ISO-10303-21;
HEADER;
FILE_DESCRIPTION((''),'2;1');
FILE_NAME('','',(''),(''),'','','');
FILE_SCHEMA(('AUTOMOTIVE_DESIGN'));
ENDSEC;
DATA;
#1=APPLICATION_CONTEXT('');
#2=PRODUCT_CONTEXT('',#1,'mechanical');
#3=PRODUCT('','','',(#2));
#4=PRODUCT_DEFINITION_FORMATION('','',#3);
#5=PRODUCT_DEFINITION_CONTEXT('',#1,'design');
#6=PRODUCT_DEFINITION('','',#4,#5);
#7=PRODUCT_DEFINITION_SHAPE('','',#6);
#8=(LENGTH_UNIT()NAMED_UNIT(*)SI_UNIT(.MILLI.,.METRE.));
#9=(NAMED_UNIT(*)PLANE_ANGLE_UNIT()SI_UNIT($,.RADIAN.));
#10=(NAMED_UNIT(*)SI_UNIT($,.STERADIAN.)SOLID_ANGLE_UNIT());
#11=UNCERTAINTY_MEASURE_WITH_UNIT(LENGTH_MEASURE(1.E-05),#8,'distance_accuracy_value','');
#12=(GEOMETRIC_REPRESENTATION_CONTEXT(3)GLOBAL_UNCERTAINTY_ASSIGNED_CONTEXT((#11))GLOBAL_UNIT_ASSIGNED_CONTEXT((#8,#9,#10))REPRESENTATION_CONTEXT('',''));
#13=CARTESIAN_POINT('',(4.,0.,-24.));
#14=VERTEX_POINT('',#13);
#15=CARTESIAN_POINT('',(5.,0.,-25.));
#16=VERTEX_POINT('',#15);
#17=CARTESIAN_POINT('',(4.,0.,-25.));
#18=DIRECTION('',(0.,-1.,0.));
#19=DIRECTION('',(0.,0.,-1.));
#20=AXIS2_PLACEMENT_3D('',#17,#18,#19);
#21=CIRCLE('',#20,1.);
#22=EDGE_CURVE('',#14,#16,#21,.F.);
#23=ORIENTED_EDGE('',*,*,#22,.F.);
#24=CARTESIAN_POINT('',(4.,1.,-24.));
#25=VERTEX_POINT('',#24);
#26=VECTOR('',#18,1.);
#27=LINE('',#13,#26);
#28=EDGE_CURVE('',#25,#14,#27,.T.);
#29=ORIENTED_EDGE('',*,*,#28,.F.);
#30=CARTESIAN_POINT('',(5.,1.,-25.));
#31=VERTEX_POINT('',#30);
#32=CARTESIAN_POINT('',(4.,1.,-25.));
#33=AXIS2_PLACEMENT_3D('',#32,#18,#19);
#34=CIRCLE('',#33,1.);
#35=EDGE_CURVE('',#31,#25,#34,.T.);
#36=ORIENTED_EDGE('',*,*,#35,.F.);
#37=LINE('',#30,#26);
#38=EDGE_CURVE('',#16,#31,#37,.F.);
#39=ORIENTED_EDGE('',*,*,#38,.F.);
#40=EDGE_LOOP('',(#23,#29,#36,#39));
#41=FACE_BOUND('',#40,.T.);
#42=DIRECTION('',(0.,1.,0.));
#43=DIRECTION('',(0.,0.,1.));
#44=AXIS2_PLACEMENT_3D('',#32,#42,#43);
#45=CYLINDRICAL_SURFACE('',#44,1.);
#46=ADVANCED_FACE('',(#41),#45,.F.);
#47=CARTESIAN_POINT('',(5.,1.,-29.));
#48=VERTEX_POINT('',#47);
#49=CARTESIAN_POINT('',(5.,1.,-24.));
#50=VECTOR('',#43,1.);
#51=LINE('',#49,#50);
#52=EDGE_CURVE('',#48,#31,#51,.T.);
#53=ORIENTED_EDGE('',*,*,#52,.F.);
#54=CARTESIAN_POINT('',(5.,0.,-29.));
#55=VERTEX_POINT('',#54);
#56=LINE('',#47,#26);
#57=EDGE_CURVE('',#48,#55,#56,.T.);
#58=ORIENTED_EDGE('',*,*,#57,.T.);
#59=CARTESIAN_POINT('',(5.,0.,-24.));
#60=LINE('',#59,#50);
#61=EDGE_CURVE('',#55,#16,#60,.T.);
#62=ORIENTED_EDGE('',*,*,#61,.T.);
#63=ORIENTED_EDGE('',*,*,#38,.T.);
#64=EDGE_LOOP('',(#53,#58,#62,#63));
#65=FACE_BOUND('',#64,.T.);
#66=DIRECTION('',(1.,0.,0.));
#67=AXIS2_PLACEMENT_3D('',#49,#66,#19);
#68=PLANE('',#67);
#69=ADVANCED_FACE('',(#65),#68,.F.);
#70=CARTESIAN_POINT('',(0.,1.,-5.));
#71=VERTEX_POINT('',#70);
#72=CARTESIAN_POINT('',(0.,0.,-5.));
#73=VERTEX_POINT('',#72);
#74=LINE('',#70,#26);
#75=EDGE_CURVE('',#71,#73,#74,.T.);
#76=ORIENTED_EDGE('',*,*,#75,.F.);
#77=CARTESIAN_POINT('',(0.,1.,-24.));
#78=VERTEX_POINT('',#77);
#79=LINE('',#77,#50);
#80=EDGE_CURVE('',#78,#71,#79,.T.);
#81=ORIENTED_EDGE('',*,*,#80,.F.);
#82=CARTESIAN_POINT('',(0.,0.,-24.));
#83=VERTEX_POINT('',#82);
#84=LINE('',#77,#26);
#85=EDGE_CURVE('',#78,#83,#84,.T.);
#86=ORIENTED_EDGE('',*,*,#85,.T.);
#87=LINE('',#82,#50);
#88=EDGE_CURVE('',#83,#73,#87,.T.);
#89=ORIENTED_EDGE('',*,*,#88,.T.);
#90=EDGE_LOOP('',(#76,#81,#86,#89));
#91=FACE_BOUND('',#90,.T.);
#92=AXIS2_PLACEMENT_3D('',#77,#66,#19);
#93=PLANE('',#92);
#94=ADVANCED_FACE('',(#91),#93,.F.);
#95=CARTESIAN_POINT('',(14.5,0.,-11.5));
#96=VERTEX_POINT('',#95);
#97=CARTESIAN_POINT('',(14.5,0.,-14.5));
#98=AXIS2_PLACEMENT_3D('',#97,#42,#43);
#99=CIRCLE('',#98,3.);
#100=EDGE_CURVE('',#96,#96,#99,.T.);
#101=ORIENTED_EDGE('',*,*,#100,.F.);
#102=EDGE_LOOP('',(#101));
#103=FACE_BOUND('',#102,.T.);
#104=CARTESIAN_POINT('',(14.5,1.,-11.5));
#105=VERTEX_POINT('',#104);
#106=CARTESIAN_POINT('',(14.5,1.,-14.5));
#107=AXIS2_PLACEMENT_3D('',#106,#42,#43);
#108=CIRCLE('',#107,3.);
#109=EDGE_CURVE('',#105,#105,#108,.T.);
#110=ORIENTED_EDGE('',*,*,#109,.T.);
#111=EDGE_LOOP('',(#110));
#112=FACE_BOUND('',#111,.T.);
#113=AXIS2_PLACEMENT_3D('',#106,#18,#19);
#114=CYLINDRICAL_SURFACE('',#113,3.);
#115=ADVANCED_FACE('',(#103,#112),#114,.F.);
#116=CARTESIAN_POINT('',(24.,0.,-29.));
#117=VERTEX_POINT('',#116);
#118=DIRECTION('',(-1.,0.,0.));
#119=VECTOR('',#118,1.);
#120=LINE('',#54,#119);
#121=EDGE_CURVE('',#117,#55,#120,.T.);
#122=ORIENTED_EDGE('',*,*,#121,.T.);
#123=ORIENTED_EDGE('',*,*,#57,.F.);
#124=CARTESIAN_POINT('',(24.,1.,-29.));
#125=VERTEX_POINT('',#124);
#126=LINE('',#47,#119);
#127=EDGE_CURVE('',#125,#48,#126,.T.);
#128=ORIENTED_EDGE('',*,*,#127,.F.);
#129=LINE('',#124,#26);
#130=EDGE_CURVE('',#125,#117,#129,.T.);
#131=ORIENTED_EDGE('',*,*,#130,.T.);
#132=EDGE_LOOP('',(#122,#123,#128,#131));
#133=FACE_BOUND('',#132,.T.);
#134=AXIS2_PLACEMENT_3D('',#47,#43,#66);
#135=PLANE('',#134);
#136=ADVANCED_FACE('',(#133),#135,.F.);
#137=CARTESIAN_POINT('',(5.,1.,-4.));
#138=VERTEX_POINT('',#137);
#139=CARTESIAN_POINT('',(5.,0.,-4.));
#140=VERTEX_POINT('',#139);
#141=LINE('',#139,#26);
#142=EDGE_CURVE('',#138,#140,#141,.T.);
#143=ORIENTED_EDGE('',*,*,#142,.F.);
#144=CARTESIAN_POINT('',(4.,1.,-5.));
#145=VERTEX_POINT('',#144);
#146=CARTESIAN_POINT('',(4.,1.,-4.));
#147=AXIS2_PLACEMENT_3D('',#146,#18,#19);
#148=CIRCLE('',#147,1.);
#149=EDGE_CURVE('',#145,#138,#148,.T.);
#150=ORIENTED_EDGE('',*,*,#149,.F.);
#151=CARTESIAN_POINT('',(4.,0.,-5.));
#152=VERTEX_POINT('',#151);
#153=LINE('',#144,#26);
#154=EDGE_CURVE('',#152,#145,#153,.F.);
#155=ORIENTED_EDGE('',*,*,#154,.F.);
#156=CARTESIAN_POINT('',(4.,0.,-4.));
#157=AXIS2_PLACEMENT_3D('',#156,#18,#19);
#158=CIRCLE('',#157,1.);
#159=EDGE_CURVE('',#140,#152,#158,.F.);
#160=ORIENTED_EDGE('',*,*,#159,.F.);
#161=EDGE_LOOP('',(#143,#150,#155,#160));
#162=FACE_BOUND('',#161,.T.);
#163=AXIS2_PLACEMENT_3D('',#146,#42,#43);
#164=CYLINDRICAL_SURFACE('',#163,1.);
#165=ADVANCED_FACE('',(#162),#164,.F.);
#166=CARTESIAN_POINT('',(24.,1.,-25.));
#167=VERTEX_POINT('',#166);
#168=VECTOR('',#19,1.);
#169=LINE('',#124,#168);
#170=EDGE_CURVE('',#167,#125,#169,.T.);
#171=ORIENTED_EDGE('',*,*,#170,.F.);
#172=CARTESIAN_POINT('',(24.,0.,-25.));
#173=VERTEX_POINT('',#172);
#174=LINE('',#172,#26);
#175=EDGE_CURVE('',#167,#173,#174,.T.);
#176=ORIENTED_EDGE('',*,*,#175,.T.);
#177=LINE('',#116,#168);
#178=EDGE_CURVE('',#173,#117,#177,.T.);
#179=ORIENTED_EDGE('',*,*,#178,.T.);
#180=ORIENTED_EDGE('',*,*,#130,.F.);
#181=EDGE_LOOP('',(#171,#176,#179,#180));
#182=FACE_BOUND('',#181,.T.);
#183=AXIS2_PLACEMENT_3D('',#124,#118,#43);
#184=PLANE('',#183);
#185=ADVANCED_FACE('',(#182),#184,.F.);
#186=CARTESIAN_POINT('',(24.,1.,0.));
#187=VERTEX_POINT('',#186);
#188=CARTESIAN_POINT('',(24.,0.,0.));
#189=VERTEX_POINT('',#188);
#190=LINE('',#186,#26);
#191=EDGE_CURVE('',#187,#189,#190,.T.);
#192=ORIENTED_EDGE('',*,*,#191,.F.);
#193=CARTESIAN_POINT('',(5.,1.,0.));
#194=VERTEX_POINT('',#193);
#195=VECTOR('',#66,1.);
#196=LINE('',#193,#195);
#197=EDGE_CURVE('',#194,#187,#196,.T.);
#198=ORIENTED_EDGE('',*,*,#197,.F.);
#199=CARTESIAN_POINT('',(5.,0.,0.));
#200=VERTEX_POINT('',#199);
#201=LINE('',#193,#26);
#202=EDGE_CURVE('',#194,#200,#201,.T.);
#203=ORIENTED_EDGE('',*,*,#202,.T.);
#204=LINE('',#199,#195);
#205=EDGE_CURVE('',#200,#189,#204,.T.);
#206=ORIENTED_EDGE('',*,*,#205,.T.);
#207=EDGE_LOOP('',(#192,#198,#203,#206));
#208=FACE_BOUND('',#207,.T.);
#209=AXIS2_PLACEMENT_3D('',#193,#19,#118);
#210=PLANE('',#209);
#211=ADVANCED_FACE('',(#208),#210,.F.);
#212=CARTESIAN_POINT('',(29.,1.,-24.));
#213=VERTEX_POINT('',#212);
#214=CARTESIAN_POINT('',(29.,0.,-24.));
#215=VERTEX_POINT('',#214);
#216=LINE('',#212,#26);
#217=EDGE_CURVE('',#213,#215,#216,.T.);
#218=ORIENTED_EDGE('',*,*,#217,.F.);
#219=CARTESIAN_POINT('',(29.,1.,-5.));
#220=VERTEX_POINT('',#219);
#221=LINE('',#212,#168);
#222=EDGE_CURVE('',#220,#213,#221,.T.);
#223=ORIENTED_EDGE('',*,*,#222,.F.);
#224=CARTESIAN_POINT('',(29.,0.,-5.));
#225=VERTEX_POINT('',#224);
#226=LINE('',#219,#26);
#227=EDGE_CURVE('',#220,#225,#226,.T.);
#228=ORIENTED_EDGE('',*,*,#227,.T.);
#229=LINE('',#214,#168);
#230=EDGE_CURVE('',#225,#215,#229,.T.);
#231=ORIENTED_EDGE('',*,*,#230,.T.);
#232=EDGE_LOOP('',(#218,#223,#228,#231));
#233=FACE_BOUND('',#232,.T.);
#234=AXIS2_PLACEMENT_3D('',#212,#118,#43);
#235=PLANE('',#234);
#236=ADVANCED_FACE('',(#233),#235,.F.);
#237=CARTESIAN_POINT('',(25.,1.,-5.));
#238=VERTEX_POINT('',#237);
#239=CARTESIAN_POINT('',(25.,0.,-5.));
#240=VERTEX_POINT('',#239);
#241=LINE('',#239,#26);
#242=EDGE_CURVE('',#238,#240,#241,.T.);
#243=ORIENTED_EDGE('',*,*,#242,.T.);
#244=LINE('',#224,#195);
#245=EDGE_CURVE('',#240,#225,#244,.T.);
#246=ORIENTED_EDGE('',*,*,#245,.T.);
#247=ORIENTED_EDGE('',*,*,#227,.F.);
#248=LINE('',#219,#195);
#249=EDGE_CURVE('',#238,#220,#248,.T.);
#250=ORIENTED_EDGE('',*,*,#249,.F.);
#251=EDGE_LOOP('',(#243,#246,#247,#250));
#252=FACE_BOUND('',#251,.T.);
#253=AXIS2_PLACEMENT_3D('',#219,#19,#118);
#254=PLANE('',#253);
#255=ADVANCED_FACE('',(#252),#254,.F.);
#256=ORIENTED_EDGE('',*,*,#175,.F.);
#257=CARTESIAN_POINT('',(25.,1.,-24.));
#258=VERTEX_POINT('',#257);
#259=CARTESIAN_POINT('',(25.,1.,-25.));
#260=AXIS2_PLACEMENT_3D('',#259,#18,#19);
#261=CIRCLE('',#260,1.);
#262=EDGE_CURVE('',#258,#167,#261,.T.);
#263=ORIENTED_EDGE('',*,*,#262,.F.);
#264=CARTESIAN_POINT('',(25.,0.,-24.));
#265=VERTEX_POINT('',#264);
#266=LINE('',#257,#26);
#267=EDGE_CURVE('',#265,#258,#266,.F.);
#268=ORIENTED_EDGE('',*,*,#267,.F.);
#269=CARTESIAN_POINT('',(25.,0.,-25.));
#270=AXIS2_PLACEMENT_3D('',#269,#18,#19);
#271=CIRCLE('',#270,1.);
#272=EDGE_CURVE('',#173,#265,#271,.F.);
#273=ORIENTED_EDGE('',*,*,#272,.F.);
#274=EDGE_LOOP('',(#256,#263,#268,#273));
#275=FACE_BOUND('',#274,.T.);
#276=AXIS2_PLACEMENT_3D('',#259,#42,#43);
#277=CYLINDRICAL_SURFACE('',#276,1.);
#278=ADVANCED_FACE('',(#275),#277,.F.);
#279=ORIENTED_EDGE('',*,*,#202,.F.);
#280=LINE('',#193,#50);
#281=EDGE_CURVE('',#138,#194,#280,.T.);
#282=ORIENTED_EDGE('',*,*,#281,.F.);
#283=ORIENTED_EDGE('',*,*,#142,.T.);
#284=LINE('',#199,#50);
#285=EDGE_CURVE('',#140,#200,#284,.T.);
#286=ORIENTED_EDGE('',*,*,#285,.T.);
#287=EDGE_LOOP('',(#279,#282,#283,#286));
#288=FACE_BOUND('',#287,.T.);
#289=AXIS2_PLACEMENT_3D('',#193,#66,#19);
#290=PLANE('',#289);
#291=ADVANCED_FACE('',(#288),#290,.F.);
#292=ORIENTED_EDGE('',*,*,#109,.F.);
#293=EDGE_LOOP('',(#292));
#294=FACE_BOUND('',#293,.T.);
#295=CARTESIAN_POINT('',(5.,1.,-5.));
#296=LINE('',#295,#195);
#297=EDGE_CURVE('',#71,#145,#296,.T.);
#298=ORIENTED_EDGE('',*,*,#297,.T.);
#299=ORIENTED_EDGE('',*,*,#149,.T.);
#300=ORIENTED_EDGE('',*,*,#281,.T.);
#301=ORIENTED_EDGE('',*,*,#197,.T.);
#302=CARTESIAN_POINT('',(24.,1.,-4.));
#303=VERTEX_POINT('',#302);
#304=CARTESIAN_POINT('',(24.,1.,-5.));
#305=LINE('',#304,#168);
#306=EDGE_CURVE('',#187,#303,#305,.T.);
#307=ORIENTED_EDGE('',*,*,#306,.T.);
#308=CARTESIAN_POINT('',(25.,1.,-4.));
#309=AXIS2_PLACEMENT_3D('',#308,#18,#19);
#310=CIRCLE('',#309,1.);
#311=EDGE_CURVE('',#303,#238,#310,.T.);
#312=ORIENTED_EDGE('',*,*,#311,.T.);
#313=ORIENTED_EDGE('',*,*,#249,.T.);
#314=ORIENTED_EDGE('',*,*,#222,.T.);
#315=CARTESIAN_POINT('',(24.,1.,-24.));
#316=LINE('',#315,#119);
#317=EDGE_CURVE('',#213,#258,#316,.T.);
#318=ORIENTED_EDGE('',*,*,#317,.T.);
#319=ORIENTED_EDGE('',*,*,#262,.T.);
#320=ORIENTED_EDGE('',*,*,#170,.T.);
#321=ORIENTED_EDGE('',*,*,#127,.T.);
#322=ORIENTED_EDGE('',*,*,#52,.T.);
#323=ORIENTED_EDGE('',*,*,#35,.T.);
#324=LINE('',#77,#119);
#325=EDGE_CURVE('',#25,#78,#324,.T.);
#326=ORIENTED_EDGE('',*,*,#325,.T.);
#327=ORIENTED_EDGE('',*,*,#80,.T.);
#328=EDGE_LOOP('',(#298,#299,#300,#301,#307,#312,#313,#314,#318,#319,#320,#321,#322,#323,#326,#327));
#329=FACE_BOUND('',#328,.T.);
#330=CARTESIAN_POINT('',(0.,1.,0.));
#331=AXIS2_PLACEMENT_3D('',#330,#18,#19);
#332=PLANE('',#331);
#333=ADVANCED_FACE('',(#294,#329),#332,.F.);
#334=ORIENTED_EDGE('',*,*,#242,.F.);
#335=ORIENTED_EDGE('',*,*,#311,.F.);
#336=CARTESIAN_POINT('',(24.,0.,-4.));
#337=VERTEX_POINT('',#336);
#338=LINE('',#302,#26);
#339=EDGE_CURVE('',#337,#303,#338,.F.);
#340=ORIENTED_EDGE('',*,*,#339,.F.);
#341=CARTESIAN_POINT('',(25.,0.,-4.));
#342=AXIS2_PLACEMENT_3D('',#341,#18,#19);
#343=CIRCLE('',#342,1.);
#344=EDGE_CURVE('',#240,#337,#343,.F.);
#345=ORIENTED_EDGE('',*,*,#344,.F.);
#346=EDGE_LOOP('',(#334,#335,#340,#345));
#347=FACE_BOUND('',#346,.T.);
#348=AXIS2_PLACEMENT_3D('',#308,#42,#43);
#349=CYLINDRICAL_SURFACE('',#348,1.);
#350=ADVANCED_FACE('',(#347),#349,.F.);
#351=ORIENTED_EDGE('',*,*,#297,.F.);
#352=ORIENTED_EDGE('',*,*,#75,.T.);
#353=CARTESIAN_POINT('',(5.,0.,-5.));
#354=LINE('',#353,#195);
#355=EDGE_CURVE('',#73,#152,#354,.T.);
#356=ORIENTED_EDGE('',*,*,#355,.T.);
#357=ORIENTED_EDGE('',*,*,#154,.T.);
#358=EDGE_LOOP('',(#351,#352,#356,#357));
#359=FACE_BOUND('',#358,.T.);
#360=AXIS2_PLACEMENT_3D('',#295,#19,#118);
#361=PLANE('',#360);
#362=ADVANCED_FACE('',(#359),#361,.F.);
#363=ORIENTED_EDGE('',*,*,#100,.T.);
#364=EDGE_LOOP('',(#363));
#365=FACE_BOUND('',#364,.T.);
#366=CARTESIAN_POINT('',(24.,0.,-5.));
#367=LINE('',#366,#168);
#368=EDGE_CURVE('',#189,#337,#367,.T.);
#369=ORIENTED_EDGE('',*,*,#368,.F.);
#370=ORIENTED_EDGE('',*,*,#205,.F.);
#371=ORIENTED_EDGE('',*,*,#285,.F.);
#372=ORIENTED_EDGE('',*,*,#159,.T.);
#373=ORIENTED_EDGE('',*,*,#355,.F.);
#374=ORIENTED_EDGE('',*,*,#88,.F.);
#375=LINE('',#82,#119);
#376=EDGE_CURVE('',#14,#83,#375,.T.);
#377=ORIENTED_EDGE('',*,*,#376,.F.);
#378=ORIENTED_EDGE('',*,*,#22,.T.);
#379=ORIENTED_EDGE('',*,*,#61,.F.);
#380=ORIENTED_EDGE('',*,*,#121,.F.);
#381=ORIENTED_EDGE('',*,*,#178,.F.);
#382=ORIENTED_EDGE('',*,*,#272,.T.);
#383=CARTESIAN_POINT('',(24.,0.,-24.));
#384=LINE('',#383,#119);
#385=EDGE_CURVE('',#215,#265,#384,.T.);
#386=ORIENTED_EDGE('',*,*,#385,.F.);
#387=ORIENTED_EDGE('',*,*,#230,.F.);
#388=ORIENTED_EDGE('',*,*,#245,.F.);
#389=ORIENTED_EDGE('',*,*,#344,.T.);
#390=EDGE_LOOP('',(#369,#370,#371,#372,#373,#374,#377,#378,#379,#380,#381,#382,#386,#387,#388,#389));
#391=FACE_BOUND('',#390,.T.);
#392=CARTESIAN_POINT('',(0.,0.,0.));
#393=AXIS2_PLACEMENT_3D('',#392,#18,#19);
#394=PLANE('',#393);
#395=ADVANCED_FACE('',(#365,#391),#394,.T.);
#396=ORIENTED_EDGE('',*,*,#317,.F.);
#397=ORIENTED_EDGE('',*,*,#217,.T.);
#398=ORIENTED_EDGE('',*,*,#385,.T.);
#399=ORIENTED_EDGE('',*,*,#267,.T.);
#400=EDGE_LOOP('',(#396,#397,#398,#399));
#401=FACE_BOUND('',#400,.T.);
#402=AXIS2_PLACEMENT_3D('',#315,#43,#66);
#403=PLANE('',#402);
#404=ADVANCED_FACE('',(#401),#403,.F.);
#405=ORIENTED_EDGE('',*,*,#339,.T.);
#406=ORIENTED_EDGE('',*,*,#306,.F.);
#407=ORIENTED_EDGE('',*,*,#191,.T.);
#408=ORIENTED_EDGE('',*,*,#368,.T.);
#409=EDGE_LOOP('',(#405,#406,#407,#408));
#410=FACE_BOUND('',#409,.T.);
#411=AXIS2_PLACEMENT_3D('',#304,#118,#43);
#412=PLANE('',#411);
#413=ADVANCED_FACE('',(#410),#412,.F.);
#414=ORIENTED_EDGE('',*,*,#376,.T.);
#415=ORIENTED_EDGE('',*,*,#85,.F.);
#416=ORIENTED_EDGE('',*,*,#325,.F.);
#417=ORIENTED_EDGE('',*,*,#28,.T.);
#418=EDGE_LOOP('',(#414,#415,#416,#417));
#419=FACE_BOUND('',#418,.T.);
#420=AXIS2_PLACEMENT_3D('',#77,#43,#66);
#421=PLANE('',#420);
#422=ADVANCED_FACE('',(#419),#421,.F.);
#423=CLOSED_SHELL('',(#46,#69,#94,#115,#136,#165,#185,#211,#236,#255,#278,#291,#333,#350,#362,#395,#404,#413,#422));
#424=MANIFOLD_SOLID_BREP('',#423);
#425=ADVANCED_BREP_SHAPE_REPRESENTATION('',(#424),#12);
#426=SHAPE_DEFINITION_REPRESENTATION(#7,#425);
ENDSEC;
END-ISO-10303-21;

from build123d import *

# Parameters (mm, degrees)
SKETCH2_R           = 3
BOSS_EXTRUDE1_DEPTH = 1
FILLET1_R           = 1


with BuildPart() as part:
    # Sketch2 → Boss-Extrude1 (new body)
    with BuildSketch(Plane(origin=(0, 0, 0), x_dir=(1, 0, 0), z_dir=(0, 1, 0))):
        Polygon((0, 24), (5, 24), (5, 29), (24, 29), (24, 24), (29, 24), (29, 5), (24, 5), (24, 0), (5, 0), (5, 5), (0, 5), align=None)
        with Locations(Location((14.5, 14.5, 0), (0, 0, 270))):
            Circle(SKETCH2_R, mode=Mode.SUBTRACT)
    extrude(amount=BOSS_EXTRUDE1_DEPTH)

    # Fillet1
    fillet1_edges = [part.edges().sort_by_distance(p)[0] for p in [
        (5, 0.5, -24),
        (24, 0.5, -24),
        (24, 0.5, -5),
        (5, 0.5, -5),
    ]]
    fillet(fillet1_edges, radius=FILLET1_R)


solid = part.part
